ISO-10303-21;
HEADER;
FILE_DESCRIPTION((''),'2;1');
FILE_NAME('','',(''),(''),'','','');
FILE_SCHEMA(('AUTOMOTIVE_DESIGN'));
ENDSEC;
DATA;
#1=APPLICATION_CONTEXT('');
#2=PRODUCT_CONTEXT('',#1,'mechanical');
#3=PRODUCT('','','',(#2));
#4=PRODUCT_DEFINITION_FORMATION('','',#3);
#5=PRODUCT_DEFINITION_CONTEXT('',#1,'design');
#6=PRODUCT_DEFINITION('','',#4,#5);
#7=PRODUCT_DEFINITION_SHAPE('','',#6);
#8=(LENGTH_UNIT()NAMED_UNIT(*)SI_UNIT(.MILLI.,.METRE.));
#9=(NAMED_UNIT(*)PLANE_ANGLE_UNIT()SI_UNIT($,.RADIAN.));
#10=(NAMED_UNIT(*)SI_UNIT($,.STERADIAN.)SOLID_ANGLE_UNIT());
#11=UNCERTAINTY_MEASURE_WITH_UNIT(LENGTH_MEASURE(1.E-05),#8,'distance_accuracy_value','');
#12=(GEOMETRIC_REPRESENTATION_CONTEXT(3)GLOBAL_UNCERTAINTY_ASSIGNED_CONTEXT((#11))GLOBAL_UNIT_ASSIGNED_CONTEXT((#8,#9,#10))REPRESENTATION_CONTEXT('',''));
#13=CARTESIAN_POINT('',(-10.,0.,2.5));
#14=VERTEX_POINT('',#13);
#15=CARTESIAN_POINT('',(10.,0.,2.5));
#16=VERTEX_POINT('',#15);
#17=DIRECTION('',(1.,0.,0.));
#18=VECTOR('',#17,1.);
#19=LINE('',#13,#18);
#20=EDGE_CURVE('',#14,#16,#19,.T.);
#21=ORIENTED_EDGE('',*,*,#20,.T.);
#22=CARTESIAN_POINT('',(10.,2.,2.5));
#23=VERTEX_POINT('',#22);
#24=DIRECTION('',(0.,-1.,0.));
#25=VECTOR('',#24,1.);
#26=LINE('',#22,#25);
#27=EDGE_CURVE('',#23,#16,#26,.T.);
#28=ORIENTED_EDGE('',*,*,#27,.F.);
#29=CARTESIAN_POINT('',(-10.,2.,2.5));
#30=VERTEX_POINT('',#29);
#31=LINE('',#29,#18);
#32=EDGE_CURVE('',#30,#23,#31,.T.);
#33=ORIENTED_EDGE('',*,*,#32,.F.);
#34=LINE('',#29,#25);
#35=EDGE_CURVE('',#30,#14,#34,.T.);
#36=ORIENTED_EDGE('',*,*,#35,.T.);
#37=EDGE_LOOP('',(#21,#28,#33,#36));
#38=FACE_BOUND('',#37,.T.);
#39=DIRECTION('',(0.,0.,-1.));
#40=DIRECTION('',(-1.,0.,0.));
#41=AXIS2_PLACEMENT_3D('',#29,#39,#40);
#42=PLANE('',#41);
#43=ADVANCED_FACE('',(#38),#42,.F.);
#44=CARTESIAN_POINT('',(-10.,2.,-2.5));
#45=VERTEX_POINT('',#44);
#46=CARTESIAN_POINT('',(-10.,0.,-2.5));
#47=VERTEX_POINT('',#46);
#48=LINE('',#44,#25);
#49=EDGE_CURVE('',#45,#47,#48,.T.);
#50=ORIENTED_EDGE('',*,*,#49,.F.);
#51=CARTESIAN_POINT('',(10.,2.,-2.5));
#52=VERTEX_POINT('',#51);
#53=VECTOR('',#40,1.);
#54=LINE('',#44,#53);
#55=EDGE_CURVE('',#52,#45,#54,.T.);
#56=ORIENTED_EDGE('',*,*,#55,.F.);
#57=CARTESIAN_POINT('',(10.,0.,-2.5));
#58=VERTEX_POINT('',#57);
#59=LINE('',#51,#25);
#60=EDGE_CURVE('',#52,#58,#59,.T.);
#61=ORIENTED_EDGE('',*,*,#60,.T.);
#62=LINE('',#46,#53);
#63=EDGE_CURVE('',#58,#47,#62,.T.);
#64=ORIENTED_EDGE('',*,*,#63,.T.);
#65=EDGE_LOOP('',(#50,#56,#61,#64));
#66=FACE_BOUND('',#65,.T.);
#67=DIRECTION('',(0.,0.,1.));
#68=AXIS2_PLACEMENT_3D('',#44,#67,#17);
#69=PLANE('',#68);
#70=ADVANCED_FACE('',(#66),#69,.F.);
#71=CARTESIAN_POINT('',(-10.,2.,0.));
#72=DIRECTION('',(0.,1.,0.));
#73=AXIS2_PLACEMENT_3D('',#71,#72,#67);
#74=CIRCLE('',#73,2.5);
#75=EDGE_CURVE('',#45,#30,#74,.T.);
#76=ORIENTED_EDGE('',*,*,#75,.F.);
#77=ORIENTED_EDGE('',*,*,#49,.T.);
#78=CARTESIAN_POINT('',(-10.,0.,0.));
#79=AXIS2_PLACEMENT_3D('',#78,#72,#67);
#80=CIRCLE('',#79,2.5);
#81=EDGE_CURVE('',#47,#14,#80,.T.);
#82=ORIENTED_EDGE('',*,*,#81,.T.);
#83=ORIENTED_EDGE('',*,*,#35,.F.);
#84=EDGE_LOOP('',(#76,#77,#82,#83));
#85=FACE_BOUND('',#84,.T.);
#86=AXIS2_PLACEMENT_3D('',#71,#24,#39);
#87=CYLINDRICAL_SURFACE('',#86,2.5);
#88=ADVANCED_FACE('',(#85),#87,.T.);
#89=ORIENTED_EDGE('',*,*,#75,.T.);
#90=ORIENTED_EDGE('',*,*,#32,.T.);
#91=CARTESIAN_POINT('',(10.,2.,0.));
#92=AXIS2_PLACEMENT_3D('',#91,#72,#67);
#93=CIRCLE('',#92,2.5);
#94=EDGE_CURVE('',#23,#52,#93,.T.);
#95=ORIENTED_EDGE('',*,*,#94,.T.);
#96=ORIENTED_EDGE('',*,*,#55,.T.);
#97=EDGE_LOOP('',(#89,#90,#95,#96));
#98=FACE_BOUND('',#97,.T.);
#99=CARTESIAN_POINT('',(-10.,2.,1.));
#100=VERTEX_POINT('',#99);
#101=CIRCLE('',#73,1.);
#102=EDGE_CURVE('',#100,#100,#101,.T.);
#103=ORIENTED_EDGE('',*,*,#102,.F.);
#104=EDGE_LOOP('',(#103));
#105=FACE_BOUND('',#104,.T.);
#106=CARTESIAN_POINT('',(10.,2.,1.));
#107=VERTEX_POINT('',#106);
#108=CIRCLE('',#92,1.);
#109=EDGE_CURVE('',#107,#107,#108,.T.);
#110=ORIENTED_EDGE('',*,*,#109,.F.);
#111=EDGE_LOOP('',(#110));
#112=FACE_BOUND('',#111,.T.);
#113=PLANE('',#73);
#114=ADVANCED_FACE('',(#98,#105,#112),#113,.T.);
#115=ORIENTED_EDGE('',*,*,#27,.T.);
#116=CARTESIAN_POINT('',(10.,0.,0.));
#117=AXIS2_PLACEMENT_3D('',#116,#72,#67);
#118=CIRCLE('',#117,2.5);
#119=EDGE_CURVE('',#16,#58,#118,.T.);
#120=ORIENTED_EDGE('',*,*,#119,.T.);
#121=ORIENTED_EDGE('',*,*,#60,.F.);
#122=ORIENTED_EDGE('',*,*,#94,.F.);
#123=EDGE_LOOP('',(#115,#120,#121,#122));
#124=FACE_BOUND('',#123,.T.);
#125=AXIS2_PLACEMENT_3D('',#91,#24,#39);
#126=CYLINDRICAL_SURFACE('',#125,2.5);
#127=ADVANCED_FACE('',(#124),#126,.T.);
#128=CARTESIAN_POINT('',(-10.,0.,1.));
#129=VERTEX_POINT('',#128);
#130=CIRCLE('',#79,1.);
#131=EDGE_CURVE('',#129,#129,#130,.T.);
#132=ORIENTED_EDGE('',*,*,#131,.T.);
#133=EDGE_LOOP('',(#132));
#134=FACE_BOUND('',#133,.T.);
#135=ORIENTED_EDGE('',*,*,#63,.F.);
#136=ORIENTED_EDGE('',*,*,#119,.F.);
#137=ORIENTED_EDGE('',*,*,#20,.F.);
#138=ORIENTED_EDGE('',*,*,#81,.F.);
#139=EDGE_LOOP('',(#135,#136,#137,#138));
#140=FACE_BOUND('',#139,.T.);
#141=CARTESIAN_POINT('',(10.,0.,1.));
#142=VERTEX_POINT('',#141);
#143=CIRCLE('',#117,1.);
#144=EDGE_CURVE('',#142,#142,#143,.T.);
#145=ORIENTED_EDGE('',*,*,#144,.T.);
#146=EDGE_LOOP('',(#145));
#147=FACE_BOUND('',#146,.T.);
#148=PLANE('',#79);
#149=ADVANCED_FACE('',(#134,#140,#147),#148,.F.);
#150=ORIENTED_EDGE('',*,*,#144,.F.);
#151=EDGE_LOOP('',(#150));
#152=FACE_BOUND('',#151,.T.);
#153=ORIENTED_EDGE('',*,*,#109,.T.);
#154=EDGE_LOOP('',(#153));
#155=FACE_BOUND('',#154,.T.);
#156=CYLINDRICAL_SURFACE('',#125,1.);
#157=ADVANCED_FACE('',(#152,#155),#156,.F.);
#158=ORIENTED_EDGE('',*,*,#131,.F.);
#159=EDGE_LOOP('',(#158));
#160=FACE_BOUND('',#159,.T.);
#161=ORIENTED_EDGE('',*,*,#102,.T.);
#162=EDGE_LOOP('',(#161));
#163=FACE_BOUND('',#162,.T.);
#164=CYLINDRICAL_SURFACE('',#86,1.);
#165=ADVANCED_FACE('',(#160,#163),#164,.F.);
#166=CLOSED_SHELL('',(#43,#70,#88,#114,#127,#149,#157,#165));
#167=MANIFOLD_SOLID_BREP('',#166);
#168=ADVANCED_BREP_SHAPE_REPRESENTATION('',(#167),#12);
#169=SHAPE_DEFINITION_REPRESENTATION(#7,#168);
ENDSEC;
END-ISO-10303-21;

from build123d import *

# Parameters (mm, degrees)
SKETCH1_R           = 1
BOSS_EXTRUDE1_DEPTH = 2


with BuildPart() as part:
    # Sketch1 → Boss-Extrude1 (new body)
    with BuildSketch(Plane(origin=(0, 0, 0), x_dir=(1, 0, 0), z_dir=(0, 1, 0))):
        with BuildLine():
            Line((-10, 2.5), (10, 2.5))
            ThreePointArc((10, 2.5), (12.5, 0), (10, -2.5))
            Line((10, -2.5), (-10, -2.5))
            ThreePointArc((-10, -2.5), (-12.5, 0), (-10, 2.5))
        make_face()
        with Locations(Location((10, 0, 0), (0, 0, 270))):
            Circle(SKETCH1_R, mode=Mode.SUBTRACT)
        with Locations(Location((-10, 0, 0), (0, 0, 270))):
            Circle(SKETCH1_R, mode=Mode.SUBTRACT)
    extrude(amount=BOSS_EXTRUDE1_DEPTH)


solid = part.part
